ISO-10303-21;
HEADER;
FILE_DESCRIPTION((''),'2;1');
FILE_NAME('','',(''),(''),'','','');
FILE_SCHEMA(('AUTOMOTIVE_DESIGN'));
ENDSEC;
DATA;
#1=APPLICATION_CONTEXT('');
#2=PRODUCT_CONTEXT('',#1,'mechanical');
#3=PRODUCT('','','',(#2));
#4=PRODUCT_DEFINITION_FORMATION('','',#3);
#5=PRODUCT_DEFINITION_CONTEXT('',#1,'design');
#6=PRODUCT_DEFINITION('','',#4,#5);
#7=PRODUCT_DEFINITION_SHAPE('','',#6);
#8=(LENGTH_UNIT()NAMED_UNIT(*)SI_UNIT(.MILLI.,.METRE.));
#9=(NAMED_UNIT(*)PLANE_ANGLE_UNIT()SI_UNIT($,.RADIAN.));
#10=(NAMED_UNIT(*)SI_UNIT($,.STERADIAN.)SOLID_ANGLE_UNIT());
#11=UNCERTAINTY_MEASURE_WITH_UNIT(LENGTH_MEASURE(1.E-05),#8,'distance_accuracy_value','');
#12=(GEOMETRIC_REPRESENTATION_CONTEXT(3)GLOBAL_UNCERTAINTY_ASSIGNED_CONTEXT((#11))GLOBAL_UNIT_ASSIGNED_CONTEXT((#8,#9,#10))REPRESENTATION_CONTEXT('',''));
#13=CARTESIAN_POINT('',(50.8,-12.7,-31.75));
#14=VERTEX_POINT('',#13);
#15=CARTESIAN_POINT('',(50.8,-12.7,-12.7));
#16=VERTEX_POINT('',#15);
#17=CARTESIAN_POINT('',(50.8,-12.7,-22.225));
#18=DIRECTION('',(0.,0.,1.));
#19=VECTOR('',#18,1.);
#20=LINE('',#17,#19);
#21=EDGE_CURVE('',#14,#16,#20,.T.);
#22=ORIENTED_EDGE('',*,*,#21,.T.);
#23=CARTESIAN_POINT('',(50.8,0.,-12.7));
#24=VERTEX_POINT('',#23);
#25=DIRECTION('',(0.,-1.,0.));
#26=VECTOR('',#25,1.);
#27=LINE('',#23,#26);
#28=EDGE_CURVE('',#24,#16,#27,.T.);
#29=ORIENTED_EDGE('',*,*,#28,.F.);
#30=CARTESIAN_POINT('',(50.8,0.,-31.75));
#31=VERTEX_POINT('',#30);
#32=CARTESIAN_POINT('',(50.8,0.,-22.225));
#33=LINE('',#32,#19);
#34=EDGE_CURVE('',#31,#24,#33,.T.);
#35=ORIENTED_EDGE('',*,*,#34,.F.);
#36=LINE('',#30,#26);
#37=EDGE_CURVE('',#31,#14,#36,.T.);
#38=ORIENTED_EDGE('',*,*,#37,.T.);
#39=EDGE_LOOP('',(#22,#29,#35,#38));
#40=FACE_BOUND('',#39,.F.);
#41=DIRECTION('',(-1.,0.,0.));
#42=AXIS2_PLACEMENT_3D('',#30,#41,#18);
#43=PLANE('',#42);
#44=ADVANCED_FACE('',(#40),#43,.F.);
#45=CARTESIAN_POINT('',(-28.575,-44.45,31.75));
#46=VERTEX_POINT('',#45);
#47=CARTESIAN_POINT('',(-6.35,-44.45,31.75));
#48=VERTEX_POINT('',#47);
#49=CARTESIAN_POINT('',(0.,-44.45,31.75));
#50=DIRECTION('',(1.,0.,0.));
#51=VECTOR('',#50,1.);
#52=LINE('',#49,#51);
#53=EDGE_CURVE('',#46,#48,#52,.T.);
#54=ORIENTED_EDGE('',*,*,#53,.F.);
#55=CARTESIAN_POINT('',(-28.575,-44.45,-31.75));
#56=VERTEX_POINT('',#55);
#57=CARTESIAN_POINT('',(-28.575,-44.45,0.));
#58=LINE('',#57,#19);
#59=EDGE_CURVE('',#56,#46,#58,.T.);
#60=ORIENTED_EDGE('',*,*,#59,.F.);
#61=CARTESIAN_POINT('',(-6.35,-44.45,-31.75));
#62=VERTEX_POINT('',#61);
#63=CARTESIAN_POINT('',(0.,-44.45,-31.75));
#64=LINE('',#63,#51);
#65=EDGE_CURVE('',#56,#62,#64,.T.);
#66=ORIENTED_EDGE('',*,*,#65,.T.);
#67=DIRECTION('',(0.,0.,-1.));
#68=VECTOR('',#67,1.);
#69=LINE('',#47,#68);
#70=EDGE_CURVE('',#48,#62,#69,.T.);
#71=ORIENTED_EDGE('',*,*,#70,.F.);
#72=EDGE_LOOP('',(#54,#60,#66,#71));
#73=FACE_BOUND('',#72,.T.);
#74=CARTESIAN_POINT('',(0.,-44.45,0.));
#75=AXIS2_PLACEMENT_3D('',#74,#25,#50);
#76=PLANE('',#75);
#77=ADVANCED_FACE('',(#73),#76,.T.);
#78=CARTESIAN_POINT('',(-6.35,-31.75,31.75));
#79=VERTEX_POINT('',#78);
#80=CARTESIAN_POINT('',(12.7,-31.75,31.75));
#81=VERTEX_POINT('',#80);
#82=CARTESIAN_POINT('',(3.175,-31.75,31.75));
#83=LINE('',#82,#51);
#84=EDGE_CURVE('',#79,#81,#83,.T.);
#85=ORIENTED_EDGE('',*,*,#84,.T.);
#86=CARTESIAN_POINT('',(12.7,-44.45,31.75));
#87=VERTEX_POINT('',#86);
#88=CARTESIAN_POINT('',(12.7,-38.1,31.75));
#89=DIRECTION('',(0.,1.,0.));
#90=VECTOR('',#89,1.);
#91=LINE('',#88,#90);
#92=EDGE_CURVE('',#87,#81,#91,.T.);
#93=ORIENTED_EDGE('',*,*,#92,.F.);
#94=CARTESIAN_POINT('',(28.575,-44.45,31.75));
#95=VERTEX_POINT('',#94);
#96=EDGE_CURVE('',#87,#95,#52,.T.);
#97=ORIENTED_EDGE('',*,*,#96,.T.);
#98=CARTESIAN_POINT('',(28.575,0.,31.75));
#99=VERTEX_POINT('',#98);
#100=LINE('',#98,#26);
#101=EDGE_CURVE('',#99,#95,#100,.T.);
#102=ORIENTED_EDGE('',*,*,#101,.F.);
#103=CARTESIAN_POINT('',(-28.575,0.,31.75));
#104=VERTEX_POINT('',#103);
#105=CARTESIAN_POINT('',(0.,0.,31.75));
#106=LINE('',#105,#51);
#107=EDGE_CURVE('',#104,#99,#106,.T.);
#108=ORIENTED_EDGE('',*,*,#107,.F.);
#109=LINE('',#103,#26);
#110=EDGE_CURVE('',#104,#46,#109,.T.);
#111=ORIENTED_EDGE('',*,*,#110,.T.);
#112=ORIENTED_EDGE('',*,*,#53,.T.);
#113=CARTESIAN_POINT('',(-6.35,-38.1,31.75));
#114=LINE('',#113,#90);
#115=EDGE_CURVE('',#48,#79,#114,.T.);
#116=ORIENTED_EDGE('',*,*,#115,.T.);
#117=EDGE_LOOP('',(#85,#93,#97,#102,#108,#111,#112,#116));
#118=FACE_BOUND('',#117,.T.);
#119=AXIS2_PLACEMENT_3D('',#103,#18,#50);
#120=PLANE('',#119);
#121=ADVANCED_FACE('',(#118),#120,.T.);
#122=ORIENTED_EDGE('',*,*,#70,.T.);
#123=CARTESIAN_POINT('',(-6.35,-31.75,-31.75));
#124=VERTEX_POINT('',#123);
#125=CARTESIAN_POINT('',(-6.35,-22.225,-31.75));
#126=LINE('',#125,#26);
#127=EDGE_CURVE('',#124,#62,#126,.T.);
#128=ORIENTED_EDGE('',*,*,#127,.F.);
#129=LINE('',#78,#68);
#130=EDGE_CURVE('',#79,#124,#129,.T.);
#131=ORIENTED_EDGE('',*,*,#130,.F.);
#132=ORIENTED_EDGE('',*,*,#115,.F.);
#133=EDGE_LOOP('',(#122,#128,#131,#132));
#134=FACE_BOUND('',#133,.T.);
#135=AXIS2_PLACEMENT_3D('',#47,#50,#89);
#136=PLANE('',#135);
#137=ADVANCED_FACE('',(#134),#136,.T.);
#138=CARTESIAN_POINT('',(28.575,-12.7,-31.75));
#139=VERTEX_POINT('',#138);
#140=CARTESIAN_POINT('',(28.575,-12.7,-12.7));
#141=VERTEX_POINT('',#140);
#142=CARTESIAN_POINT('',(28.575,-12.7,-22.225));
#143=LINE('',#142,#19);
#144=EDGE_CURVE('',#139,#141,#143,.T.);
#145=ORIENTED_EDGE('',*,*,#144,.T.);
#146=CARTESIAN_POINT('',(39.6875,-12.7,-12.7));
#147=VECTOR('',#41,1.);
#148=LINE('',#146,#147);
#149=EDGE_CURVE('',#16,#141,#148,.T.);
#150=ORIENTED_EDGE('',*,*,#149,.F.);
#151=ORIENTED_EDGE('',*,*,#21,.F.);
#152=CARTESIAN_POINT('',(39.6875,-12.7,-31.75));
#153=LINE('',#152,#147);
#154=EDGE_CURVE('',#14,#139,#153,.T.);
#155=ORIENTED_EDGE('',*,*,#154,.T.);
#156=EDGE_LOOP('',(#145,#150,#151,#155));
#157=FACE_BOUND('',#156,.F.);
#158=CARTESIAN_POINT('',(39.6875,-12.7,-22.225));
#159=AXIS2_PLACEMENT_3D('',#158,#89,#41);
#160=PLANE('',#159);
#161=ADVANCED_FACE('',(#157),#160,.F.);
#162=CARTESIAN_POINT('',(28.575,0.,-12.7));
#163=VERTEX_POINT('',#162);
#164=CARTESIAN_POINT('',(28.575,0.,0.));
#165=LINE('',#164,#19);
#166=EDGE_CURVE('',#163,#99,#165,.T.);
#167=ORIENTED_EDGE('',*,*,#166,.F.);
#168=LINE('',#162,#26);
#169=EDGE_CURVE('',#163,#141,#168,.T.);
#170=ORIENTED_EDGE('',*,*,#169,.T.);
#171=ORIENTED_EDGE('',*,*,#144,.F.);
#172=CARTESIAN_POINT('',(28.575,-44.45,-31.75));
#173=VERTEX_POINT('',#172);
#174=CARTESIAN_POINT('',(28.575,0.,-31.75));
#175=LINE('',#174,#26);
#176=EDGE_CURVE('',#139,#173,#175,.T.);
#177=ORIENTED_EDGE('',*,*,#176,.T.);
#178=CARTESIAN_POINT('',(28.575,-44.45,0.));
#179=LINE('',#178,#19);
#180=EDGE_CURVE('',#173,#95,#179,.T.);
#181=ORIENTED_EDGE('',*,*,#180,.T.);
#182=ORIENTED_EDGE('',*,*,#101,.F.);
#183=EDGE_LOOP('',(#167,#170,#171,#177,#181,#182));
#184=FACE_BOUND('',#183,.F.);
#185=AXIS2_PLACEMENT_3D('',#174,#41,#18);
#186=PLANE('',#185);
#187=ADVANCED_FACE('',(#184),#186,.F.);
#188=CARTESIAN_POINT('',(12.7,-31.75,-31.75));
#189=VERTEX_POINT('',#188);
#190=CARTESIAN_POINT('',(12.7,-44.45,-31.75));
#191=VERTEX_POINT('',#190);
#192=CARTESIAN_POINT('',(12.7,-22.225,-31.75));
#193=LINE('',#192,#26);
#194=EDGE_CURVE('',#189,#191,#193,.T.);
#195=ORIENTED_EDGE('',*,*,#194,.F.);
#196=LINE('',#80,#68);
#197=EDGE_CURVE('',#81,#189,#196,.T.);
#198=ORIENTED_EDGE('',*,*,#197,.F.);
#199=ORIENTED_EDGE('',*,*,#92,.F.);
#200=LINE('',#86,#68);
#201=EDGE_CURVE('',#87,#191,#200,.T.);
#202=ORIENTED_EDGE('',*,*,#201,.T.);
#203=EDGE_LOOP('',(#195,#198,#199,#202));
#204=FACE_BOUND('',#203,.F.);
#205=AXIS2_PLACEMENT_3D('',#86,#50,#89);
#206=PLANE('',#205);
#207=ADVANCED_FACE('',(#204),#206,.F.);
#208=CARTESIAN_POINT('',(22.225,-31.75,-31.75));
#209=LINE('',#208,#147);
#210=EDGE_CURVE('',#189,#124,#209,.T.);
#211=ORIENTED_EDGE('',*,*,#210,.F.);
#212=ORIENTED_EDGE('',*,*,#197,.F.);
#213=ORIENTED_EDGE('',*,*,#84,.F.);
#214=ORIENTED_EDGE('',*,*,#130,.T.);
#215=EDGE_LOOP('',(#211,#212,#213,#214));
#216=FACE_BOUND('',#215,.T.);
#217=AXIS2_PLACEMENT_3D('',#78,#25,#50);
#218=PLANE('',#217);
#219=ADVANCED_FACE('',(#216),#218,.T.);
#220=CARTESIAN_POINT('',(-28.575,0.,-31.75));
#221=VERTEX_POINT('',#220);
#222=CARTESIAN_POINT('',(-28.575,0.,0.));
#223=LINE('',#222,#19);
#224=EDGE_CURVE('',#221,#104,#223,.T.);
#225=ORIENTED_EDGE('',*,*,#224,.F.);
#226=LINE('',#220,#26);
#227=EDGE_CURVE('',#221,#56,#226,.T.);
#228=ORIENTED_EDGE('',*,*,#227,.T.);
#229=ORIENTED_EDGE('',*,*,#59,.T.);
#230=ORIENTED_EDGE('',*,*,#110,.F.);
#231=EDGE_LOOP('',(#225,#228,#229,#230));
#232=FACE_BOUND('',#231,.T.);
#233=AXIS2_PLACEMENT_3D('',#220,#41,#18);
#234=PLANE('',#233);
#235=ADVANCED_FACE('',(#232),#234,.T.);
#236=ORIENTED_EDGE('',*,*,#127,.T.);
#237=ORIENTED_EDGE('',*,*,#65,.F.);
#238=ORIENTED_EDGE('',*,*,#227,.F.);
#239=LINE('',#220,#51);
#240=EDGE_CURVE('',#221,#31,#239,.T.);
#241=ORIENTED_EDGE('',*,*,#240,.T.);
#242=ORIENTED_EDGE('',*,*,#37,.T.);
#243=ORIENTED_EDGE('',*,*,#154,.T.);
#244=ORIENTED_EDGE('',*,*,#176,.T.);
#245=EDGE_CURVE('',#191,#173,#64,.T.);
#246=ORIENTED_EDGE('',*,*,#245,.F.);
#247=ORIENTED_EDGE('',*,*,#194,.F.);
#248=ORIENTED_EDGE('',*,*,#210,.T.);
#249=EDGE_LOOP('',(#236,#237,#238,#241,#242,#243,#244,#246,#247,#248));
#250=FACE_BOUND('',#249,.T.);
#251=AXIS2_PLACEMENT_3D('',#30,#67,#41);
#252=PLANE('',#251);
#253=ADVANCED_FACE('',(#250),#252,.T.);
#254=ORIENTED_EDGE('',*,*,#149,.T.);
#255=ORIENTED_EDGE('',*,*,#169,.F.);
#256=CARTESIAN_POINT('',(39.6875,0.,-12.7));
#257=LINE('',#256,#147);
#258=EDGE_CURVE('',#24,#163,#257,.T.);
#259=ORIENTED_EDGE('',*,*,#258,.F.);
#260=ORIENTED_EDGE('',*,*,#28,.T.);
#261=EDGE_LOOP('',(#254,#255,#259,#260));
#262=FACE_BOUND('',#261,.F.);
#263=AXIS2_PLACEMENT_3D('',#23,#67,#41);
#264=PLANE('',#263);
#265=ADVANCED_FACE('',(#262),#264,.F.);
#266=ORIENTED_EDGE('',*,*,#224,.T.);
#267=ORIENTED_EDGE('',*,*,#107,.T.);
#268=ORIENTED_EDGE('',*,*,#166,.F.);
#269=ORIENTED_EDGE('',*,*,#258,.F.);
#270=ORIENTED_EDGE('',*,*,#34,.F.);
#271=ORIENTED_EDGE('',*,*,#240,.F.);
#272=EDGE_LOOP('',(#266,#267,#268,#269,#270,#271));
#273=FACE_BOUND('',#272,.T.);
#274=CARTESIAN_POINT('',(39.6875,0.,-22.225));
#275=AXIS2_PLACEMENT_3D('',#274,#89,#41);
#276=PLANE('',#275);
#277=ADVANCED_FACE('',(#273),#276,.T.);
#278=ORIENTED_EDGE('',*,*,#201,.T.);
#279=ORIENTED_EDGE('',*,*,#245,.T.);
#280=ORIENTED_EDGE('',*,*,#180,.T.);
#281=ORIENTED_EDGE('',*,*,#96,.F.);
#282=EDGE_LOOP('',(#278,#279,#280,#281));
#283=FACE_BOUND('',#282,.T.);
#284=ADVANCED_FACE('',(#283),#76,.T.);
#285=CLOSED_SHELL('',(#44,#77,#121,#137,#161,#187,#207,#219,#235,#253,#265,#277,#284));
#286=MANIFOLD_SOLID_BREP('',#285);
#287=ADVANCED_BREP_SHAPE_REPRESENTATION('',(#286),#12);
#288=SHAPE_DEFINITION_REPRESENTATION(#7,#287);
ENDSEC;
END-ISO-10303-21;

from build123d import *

# Parameters (mm, degrees)
F0_W     = 57.15
F0_H     = 63.5
F1_DEPTH = 44.45
F2_W     = 22.225
F2_H     = 19.05
F3_DEPTH = 12.7
F4_W     = 19.05
F4_H     = 12.7
F5_DEPTH = 63.501


with BuildPart() as f1:
    # F0 (on Front) → F1 (new body)
    with BuildSketch(Plane.XZ):
        Rectangle(F0_W, F0_H)
    extrude(amount=F1_DEPTH)

    # F2 (on face) → F3 (join)
    with BuildSketch(Plane(origin=(0, 0, 0), x_dir=(-1, 0, 0), z_dir=(0, 1, 0))):
        with Locations((-39.6875, -22.225)):
            Rectangle(F2_W, F2_H)
    extrude(amount=-F3_DEPTH)

    # F4 (on face) → F5 (cut, through all)
    with BuildSketch(Plane.XY.offset(31.75)):
        with Locations((3.175, -38.1)):
            Rectangle(F4_W, F4_H)
    extrude(amount=-F5_DEPTH, mode=Mode.SUBTRACT)


solid = f1.part
